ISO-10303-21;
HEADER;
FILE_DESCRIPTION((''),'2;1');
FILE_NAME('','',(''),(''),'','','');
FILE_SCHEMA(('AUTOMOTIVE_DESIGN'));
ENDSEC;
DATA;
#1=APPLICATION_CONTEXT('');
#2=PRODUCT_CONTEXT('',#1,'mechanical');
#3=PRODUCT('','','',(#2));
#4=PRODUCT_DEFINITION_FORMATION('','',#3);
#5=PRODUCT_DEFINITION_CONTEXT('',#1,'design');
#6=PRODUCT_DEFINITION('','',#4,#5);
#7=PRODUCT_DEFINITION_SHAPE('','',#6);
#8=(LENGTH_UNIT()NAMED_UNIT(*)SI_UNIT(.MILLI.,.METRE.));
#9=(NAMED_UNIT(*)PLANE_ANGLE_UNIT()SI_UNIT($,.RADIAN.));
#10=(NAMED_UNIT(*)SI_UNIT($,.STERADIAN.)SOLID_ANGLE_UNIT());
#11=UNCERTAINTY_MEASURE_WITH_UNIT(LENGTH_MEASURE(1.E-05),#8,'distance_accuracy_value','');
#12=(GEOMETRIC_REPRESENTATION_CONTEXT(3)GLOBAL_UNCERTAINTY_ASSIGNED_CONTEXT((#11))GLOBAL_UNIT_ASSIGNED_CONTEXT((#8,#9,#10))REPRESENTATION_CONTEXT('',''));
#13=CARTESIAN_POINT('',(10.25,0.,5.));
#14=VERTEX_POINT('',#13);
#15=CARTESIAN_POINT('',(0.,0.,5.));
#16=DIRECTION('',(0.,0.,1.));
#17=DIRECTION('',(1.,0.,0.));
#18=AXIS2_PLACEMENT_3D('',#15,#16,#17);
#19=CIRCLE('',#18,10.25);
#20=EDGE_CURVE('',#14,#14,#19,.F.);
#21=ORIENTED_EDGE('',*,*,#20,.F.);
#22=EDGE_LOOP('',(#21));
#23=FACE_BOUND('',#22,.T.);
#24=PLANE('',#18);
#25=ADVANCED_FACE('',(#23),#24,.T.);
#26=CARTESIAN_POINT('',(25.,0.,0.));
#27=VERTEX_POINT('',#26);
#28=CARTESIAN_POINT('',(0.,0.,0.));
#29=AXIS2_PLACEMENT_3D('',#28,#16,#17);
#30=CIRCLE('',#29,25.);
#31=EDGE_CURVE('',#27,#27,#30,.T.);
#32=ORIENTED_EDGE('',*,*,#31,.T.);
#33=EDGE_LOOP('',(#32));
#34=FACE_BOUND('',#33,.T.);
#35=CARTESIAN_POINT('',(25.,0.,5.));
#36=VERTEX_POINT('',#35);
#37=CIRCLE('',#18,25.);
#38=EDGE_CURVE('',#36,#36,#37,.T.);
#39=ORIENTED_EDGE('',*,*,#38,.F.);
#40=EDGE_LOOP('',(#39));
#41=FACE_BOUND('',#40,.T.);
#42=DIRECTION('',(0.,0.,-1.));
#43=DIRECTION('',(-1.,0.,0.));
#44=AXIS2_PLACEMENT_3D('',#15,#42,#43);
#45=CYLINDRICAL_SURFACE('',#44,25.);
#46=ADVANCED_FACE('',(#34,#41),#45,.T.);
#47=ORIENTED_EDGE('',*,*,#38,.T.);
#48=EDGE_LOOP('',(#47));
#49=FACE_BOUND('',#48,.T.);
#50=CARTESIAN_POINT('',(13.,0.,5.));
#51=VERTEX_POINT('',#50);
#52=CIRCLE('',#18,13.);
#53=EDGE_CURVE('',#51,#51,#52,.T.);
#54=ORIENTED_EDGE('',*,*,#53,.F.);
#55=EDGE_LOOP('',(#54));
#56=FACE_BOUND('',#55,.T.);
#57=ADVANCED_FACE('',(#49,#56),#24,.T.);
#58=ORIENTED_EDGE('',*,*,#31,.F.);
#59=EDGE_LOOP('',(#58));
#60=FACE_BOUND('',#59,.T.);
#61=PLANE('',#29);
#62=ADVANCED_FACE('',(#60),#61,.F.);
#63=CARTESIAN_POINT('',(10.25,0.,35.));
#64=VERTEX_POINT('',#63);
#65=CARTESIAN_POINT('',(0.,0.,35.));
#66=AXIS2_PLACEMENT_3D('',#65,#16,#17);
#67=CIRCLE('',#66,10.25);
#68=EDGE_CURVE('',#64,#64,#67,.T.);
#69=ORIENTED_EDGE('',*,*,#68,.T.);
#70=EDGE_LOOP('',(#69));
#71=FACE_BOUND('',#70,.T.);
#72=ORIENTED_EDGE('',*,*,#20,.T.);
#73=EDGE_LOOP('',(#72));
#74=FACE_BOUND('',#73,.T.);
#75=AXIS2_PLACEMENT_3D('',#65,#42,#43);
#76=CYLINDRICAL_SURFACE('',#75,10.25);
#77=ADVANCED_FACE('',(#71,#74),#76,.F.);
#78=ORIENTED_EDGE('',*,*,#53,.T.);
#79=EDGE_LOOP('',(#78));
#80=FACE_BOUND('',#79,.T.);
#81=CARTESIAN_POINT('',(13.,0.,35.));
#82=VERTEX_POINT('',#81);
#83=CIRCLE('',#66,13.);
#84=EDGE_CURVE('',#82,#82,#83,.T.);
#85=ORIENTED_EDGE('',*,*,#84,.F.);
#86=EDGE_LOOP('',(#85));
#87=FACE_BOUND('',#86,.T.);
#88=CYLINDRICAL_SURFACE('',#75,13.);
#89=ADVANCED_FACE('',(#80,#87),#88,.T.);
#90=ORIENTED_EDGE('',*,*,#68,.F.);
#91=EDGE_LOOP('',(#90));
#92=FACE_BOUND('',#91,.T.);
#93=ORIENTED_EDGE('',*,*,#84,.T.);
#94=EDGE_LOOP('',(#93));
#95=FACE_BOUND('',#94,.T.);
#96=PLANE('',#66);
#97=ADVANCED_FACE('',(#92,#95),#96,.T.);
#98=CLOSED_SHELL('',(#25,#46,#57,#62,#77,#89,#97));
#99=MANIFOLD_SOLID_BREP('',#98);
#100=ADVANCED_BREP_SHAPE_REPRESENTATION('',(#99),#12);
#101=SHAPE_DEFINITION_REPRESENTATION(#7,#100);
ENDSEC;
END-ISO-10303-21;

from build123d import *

# Parameters (mm, degrees)
ESQUISSE1_R        = 25
BOSS_EXTRU_1_DEPTH = 5
ESQUISSE2_R        = 13
ESQUISSE2_R_2      = 10.25
BOSS_EXTRU_2_DEPTH = 30


with BuildPart() as part:
    # Esquisse1 → Boss.-Extru.1 (new body)
    with BuildSketch(Plane.XY):
        Circle(ESQUISSE1_R)
    extrude(amount=BOSS_EXTRU_1_DEPTH)

    # Esquisse2 → Boss.-Extru.2 (add)
    with BuildSketch(Plane.XY.offset(5)):
        Circle(ESQUISSE2_R)
        Circle(ESQUISSE2_R_2, mode=Mode.SUBTRACT)
    extrude(amount=BOSS_EXTRU_2_DEPTH)


solid = part.part
